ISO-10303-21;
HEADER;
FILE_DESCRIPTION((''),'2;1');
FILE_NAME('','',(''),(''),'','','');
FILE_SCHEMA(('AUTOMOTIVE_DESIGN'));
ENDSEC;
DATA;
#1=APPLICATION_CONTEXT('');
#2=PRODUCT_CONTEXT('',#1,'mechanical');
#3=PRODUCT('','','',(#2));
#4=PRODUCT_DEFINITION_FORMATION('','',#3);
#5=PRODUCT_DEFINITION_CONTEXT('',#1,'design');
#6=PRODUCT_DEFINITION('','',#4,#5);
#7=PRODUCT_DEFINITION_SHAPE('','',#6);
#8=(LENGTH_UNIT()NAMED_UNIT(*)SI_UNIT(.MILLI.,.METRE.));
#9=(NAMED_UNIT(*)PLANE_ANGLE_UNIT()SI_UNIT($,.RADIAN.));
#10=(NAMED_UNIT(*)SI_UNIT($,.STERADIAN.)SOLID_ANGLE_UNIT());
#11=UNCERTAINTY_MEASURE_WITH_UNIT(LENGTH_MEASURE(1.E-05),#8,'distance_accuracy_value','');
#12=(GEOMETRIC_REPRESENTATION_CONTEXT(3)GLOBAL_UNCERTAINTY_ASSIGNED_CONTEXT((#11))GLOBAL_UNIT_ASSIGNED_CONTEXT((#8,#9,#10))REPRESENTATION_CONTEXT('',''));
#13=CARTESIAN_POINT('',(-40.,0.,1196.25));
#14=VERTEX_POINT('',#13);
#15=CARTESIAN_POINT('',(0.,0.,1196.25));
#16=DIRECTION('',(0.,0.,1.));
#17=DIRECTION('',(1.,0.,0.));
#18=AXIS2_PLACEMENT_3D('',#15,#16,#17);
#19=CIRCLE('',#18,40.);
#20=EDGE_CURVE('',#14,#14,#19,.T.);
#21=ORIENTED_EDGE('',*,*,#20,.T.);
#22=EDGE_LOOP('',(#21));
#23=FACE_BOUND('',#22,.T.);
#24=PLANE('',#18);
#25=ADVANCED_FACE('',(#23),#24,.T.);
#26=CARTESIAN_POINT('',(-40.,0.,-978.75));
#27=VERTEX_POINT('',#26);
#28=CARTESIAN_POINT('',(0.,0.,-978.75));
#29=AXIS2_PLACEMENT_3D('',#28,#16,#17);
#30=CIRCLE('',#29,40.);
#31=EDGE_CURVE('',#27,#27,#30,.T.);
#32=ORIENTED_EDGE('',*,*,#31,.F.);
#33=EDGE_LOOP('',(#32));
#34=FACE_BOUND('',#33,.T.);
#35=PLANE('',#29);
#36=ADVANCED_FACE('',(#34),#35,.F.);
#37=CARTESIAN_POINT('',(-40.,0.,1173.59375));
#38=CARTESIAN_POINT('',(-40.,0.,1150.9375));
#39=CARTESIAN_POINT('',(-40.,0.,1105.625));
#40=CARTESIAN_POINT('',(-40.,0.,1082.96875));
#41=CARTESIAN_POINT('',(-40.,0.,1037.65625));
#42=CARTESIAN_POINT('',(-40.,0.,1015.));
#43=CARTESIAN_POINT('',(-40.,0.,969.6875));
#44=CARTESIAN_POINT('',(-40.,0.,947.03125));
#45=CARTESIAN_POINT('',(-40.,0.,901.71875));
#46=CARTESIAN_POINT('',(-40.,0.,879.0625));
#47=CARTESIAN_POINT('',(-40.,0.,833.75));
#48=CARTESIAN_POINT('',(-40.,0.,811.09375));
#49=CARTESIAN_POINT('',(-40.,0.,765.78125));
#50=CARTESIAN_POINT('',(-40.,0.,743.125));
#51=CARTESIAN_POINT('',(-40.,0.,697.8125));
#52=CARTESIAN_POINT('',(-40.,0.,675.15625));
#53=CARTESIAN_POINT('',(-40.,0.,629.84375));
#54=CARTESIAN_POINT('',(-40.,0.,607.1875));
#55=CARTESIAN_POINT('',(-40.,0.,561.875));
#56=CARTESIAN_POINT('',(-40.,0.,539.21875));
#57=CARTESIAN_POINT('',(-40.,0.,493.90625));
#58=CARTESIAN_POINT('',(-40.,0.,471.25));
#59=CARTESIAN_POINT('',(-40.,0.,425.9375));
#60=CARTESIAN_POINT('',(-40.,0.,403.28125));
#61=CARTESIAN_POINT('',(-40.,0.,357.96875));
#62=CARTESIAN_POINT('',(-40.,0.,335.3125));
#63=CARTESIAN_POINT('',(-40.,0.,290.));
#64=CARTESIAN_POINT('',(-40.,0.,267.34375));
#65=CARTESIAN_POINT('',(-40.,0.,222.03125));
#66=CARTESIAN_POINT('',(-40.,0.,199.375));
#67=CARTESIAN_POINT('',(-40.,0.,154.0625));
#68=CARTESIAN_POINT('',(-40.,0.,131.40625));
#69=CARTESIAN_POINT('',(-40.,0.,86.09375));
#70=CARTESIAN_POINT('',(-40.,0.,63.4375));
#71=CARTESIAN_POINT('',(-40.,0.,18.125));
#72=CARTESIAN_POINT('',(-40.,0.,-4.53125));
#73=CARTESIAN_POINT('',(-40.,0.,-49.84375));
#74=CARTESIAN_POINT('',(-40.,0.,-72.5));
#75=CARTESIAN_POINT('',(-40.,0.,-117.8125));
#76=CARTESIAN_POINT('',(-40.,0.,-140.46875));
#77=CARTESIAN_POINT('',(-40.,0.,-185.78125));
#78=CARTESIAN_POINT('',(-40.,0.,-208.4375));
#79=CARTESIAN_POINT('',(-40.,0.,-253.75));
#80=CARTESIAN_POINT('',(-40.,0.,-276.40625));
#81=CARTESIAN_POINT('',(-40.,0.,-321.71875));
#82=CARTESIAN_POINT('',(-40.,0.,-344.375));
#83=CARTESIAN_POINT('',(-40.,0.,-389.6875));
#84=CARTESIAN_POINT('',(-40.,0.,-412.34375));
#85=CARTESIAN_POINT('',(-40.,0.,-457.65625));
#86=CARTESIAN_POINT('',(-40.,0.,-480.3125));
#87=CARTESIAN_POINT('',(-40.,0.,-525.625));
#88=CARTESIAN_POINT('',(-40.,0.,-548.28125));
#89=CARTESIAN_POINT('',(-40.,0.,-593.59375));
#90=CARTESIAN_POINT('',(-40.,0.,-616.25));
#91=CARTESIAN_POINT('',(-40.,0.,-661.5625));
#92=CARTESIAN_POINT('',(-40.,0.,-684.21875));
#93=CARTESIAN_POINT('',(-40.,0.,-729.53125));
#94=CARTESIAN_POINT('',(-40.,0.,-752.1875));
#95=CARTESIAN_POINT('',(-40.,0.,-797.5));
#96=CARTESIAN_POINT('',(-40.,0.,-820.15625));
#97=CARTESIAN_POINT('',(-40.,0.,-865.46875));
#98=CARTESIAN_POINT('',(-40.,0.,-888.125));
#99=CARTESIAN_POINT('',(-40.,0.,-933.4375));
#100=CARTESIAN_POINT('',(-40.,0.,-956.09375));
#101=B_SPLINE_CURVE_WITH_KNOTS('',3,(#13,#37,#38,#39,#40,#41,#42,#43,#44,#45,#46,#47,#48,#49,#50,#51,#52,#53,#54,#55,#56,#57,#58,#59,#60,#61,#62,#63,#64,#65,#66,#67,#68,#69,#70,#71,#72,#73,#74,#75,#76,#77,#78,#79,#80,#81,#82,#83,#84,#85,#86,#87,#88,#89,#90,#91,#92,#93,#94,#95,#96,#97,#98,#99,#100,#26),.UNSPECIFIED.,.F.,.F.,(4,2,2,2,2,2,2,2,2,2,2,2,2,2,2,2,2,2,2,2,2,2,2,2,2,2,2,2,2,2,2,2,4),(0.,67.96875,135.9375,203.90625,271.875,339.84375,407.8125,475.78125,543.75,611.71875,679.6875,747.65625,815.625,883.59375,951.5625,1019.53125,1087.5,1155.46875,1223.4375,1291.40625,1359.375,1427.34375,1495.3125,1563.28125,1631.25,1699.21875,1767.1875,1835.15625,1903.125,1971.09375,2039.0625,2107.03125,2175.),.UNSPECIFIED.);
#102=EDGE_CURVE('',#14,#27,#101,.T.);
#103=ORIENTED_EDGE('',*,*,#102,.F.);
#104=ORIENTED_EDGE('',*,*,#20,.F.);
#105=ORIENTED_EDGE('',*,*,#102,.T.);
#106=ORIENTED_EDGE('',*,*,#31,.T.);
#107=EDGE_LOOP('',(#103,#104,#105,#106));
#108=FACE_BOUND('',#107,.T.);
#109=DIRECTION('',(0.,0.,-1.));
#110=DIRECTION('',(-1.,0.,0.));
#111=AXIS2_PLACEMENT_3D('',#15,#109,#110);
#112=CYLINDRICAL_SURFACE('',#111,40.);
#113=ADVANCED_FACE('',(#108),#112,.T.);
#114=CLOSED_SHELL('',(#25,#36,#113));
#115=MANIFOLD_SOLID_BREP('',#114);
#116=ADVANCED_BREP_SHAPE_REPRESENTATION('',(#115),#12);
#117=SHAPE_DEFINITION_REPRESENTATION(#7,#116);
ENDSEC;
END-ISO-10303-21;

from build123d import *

# Parameters (mm, degrees)
SKETCH1_R           = 4
BOSS_EXTRUDE1_DEPTH = 217.5
SCALE1_SCALE        = 10


with BuildPart() as part:
    # Sketch1 → Boss-Extrude1 (new body)
    with BuildSketch(Plane.XY):
        with Locations(Location((0, 0, 0), (0, 0, 180))):
            Circle(SKETCH1_R)
    extrude(amount=BOSS_EXTRUDE1_DEPTH)


with BuildPart() as part_1:
    # Scale1: scaled about (0, 0, 108.75)
    add(part.part.scale(SCALE1_SCALE).moved(Location((0, 0, -978.75))))


solid = part_1.part
